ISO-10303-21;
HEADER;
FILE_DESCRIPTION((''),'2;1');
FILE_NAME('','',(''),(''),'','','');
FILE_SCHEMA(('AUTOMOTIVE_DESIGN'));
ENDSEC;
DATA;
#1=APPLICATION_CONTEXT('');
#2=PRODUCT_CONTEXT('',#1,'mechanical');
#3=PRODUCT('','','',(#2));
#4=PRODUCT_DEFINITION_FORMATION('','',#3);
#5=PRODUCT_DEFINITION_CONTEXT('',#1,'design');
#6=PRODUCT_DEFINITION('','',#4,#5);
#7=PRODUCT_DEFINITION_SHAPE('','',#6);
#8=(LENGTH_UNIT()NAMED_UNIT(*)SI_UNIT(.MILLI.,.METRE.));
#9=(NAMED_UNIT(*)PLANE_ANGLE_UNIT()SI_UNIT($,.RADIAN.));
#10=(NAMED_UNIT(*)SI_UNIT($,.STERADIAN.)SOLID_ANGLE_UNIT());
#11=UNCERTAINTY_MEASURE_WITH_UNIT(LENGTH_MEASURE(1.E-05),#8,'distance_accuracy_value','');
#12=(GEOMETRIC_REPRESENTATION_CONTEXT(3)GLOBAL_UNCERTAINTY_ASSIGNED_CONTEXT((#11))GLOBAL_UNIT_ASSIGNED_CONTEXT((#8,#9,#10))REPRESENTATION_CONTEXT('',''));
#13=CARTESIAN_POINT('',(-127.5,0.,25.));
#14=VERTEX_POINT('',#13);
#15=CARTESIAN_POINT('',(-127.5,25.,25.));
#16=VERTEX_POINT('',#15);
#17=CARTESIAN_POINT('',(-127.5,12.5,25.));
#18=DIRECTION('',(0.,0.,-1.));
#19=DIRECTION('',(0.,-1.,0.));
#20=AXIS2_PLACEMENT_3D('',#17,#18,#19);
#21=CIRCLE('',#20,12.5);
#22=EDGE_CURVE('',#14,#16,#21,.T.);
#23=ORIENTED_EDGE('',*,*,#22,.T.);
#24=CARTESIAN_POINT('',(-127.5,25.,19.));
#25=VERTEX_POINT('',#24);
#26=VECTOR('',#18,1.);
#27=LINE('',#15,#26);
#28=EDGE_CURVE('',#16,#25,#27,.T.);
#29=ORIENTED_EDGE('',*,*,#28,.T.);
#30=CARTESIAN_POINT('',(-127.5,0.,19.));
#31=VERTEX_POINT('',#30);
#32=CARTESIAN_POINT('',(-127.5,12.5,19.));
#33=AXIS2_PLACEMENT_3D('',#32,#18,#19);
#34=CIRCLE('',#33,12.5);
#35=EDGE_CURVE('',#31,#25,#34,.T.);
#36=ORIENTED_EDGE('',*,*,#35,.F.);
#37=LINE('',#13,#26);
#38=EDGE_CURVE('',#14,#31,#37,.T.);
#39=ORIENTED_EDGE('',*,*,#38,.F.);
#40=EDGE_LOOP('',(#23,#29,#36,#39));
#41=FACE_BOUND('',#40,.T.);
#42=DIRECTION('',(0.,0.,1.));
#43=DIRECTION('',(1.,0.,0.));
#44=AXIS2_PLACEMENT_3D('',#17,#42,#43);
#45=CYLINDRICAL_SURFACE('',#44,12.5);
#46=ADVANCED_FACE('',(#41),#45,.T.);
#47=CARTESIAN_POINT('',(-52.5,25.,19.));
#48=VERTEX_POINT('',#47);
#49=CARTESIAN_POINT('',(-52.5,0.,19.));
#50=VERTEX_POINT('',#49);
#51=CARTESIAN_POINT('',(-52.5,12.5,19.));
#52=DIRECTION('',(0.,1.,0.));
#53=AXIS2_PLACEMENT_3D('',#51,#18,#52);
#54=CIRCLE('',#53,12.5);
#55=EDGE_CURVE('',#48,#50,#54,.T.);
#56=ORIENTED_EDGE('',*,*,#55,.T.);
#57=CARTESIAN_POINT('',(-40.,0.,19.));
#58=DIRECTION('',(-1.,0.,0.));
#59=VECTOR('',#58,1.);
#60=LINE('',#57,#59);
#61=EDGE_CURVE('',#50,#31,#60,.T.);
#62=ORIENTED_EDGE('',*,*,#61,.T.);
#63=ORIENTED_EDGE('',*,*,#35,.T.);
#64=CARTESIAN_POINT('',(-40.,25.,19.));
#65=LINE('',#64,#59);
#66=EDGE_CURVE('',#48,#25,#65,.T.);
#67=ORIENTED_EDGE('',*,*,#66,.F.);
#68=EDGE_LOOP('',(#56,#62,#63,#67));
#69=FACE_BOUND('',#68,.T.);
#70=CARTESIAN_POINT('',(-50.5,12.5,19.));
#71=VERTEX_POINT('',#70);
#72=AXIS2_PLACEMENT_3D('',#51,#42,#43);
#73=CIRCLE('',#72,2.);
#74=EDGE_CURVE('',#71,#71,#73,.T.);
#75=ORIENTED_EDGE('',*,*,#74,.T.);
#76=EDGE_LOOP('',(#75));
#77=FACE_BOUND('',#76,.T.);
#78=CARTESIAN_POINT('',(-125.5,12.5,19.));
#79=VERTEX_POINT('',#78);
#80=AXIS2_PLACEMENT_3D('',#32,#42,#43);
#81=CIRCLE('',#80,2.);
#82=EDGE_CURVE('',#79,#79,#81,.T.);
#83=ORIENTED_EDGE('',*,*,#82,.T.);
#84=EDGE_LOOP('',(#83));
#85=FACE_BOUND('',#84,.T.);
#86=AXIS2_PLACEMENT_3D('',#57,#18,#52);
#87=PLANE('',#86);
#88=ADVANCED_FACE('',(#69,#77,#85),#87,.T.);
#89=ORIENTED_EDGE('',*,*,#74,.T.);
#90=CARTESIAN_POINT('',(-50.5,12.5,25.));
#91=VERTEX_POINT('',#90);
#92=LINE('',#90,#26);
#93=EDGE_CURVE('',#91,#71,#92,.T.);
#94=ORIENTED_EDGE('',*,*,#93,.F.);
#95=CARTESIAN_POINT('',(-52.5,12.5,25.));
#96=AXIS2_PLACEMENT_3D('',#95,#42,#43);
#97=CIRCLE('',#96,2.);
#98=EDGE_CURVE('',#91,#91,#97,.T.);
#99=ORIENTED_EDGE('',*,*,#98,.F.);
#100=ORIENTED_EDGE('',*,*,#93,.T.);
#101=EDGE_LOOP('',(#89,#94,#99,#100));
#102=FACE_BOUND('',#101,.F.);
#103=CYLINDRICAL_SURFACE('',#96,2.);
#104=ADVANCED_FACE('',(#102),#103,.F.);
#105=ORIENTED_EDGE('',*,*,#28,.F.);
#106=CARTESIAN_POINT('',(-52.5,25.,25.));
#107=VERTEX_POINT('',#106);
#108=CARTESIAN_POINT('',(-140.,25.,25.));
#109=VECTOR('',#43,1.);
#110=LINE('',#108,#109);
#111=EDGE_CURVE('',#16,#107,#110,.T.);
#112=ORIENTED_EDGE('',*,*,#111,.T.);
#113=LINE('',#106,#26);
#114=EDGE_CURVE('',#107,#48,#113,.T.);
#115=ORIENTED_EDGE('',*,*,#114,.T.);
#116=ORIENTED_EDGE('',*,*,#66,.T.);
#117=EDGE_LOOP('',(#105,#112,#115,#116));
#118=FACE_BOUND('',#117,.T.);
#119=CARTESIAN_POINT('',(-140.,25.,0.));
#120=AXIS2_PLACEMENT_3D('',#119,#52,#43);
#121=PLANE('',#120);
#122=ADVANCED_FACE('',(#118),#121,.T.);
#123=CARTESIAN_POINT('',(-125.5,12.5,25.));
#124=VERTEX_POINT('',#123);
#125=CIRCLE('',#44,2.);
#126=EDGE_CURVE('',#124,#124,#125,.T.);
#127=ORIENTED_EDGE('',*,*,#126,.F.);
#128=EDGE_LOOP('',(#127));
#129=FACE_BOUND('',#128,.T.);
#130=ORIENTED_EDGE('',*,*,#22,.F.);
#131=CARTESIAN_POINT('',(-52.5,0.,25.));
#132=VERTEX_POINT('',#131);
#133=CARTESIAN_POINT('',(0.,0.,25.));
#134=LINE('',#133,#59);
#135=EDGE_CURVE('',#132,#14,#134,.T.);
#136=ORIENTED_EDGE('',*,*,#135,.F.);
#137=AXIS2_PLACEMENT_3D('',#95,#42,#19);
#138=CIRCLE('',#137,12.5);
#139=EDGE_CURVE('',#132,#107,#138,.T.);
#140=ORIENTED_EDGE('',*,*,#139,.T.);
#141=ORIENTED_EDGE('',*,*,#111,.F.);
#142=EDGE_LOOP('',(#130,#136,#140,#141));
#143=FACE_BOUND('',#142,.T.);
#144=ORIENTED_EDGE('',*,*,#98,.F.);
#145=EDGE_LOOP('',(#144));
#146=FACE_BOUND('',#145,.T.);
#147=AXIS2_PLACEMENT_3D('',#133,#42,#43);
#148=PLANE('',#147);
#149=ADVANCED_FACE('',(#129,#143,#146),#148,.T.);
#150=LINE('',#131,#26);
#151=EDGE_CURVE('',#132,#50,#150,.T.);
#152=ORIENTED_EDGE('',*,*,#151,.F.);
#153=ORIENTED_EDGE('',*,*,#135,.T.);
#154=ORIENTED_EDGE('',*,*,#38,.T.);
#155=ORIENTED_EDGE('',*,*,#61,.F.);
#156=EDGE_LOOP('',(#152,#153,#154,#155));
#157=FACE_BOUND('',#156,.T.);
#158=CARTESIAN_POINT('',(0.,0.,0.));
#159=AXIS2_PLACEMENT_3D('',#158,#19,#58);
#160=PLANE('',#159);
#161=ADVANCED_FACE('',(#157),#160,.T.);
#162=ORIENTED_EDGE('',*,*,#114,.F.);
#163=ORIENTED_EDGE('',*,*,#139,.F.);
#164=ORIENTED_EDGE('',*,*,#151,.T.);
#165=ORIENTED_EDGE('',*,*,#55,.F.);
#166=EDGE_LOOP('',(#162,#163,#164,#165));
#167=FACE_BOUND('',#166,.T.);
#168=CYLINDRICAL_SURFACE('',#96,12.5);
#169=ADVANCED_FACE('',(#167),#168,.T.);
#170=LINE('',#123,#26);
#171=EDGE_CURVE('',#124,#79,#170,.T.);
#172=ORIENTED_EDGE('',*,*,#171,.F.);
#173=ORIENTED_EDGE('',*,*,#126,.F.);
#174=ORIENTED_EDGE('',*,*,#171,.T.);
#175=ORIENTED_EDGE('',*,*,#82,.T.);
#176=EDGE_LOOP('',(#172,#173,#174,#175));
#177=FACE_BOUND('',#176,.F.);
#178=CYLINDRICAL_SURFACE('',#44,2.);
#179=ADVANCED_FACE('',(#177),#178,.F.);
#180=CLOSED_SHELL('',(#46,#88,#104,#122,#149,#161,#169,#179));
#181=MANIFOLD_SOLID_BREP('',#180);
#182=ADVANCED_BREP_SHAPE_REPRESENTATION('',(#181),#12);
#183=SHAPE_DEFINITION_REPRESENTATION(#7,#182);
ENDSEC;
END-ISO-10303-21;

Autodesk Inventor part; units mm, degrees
ref_plane "YZ Plane" through (0, 0, 0) normal (1, 0, 0) x (0, 1, 0)
ref_plane "XZ Plane" through (0, 0, 0) normal (0, 1, 0) x (-1, 0, 0)
ref_plane "XY Plane" through (0, 0, 0) normal (0, 0, 1) x (1, 0, 0)
sketch "Sketch1" plane through (0, 0, 0) normal (0, 0, 1) x (1, 0, 0)
  line L0 (0, 0) -> (-140, 0)
  line L1 (-140, 0) -> (-140, 25)
  line L2 (-140, 25) -> (0, 25)
  line L3 (0, 25) -> (0, 0)
  dimension "d0" = 140
  dimension "d1" = 25
extrude "Extrusion1" add sketch "Sketch1" along normal blind 25
sketch "Sketch4" plane through (0, 0, 25) normal (0, 0, 1) x (1, 0, 0)
  point P0 (0, 0)
sketch "Sketch5" plane through (0, 0, 25) normal (0, 0, 1) x (1, 0, 0)
  line L0 (0, 25) -> (-140, 25) projected
  line L1 (0, 0) -> (-40, 0)
  line L2 (-40, 0) -> (-40, 25)
  line L3 (-40, 25) -> (0, 25)
  line L4 (0, 25) -> (0, 0)
  dimension "d16" = 40
extrude "Extrusion4" cut sketch "Sketch5" against normal blind 100
sketch "Sketch6" plane through (-40, 0, 25) normal (1, 0, 0) x (0, 0, -1)
  line L0 (25, 25) -> (0, 25) projected
  line L1 (25, 0) -> (6, 0)
  line L2 (6, 0) -> (6, 25)
  line L3 (6, 25) -> (25, 25)
  line L4 (25, 25) -> (25, 0)
  dimension "d19" = 19
extrude "Extrusion5" cut sketch "Sketch6" against normal blind 100
sketch "Sketch7" plane through (0, 0, 25) normal (0, 0, 1) x (1, 0, 0)
  circle A0 centre (-52.5, 12.5) radius 12.5
  circle A1 centre (-127.5, 12.5) radius 12.5
  line L0 (-40, 0) -> (-40, 25) projected
  line L1 (-140, 0) -> (-40, 0) projected
  line L2 (-140, 25) -> (-140, 0) projected
  circle A2 centre (-127.5, 12.5) radius 2
  circle A3 centre (-52.5, 12.5) radius 2
  line L3 (-40, 25) -> (-140, 25) projected
  point P0 (0, 0)
  point P1 (-52.5, 25)
  point P2 (-40, 12.5)
  point P3 (-52.5, 0)
  point P4 (-127.5, 25)
  point P5 (-140, 12.5)
  point P6 (-127.5, 0)
  dimension "d22" = 25
  dimension "d23" = 25
  dimension "d24" = 12.5
  dimension "d25" = 12.5
  dimension "d26" = 12.5
  dimension "d27" = 12.5
  dimension "d28" = 4
  dimension "d29" = 4
extrude "Extrusion6" cut sketch "Sketch7" against normal blind 100 contours L0 L1 A0 | A0 L3 L0 | A1 L2 L3 | L1 L2 A1 | A2 | A3
properties part number "Large Rod"
